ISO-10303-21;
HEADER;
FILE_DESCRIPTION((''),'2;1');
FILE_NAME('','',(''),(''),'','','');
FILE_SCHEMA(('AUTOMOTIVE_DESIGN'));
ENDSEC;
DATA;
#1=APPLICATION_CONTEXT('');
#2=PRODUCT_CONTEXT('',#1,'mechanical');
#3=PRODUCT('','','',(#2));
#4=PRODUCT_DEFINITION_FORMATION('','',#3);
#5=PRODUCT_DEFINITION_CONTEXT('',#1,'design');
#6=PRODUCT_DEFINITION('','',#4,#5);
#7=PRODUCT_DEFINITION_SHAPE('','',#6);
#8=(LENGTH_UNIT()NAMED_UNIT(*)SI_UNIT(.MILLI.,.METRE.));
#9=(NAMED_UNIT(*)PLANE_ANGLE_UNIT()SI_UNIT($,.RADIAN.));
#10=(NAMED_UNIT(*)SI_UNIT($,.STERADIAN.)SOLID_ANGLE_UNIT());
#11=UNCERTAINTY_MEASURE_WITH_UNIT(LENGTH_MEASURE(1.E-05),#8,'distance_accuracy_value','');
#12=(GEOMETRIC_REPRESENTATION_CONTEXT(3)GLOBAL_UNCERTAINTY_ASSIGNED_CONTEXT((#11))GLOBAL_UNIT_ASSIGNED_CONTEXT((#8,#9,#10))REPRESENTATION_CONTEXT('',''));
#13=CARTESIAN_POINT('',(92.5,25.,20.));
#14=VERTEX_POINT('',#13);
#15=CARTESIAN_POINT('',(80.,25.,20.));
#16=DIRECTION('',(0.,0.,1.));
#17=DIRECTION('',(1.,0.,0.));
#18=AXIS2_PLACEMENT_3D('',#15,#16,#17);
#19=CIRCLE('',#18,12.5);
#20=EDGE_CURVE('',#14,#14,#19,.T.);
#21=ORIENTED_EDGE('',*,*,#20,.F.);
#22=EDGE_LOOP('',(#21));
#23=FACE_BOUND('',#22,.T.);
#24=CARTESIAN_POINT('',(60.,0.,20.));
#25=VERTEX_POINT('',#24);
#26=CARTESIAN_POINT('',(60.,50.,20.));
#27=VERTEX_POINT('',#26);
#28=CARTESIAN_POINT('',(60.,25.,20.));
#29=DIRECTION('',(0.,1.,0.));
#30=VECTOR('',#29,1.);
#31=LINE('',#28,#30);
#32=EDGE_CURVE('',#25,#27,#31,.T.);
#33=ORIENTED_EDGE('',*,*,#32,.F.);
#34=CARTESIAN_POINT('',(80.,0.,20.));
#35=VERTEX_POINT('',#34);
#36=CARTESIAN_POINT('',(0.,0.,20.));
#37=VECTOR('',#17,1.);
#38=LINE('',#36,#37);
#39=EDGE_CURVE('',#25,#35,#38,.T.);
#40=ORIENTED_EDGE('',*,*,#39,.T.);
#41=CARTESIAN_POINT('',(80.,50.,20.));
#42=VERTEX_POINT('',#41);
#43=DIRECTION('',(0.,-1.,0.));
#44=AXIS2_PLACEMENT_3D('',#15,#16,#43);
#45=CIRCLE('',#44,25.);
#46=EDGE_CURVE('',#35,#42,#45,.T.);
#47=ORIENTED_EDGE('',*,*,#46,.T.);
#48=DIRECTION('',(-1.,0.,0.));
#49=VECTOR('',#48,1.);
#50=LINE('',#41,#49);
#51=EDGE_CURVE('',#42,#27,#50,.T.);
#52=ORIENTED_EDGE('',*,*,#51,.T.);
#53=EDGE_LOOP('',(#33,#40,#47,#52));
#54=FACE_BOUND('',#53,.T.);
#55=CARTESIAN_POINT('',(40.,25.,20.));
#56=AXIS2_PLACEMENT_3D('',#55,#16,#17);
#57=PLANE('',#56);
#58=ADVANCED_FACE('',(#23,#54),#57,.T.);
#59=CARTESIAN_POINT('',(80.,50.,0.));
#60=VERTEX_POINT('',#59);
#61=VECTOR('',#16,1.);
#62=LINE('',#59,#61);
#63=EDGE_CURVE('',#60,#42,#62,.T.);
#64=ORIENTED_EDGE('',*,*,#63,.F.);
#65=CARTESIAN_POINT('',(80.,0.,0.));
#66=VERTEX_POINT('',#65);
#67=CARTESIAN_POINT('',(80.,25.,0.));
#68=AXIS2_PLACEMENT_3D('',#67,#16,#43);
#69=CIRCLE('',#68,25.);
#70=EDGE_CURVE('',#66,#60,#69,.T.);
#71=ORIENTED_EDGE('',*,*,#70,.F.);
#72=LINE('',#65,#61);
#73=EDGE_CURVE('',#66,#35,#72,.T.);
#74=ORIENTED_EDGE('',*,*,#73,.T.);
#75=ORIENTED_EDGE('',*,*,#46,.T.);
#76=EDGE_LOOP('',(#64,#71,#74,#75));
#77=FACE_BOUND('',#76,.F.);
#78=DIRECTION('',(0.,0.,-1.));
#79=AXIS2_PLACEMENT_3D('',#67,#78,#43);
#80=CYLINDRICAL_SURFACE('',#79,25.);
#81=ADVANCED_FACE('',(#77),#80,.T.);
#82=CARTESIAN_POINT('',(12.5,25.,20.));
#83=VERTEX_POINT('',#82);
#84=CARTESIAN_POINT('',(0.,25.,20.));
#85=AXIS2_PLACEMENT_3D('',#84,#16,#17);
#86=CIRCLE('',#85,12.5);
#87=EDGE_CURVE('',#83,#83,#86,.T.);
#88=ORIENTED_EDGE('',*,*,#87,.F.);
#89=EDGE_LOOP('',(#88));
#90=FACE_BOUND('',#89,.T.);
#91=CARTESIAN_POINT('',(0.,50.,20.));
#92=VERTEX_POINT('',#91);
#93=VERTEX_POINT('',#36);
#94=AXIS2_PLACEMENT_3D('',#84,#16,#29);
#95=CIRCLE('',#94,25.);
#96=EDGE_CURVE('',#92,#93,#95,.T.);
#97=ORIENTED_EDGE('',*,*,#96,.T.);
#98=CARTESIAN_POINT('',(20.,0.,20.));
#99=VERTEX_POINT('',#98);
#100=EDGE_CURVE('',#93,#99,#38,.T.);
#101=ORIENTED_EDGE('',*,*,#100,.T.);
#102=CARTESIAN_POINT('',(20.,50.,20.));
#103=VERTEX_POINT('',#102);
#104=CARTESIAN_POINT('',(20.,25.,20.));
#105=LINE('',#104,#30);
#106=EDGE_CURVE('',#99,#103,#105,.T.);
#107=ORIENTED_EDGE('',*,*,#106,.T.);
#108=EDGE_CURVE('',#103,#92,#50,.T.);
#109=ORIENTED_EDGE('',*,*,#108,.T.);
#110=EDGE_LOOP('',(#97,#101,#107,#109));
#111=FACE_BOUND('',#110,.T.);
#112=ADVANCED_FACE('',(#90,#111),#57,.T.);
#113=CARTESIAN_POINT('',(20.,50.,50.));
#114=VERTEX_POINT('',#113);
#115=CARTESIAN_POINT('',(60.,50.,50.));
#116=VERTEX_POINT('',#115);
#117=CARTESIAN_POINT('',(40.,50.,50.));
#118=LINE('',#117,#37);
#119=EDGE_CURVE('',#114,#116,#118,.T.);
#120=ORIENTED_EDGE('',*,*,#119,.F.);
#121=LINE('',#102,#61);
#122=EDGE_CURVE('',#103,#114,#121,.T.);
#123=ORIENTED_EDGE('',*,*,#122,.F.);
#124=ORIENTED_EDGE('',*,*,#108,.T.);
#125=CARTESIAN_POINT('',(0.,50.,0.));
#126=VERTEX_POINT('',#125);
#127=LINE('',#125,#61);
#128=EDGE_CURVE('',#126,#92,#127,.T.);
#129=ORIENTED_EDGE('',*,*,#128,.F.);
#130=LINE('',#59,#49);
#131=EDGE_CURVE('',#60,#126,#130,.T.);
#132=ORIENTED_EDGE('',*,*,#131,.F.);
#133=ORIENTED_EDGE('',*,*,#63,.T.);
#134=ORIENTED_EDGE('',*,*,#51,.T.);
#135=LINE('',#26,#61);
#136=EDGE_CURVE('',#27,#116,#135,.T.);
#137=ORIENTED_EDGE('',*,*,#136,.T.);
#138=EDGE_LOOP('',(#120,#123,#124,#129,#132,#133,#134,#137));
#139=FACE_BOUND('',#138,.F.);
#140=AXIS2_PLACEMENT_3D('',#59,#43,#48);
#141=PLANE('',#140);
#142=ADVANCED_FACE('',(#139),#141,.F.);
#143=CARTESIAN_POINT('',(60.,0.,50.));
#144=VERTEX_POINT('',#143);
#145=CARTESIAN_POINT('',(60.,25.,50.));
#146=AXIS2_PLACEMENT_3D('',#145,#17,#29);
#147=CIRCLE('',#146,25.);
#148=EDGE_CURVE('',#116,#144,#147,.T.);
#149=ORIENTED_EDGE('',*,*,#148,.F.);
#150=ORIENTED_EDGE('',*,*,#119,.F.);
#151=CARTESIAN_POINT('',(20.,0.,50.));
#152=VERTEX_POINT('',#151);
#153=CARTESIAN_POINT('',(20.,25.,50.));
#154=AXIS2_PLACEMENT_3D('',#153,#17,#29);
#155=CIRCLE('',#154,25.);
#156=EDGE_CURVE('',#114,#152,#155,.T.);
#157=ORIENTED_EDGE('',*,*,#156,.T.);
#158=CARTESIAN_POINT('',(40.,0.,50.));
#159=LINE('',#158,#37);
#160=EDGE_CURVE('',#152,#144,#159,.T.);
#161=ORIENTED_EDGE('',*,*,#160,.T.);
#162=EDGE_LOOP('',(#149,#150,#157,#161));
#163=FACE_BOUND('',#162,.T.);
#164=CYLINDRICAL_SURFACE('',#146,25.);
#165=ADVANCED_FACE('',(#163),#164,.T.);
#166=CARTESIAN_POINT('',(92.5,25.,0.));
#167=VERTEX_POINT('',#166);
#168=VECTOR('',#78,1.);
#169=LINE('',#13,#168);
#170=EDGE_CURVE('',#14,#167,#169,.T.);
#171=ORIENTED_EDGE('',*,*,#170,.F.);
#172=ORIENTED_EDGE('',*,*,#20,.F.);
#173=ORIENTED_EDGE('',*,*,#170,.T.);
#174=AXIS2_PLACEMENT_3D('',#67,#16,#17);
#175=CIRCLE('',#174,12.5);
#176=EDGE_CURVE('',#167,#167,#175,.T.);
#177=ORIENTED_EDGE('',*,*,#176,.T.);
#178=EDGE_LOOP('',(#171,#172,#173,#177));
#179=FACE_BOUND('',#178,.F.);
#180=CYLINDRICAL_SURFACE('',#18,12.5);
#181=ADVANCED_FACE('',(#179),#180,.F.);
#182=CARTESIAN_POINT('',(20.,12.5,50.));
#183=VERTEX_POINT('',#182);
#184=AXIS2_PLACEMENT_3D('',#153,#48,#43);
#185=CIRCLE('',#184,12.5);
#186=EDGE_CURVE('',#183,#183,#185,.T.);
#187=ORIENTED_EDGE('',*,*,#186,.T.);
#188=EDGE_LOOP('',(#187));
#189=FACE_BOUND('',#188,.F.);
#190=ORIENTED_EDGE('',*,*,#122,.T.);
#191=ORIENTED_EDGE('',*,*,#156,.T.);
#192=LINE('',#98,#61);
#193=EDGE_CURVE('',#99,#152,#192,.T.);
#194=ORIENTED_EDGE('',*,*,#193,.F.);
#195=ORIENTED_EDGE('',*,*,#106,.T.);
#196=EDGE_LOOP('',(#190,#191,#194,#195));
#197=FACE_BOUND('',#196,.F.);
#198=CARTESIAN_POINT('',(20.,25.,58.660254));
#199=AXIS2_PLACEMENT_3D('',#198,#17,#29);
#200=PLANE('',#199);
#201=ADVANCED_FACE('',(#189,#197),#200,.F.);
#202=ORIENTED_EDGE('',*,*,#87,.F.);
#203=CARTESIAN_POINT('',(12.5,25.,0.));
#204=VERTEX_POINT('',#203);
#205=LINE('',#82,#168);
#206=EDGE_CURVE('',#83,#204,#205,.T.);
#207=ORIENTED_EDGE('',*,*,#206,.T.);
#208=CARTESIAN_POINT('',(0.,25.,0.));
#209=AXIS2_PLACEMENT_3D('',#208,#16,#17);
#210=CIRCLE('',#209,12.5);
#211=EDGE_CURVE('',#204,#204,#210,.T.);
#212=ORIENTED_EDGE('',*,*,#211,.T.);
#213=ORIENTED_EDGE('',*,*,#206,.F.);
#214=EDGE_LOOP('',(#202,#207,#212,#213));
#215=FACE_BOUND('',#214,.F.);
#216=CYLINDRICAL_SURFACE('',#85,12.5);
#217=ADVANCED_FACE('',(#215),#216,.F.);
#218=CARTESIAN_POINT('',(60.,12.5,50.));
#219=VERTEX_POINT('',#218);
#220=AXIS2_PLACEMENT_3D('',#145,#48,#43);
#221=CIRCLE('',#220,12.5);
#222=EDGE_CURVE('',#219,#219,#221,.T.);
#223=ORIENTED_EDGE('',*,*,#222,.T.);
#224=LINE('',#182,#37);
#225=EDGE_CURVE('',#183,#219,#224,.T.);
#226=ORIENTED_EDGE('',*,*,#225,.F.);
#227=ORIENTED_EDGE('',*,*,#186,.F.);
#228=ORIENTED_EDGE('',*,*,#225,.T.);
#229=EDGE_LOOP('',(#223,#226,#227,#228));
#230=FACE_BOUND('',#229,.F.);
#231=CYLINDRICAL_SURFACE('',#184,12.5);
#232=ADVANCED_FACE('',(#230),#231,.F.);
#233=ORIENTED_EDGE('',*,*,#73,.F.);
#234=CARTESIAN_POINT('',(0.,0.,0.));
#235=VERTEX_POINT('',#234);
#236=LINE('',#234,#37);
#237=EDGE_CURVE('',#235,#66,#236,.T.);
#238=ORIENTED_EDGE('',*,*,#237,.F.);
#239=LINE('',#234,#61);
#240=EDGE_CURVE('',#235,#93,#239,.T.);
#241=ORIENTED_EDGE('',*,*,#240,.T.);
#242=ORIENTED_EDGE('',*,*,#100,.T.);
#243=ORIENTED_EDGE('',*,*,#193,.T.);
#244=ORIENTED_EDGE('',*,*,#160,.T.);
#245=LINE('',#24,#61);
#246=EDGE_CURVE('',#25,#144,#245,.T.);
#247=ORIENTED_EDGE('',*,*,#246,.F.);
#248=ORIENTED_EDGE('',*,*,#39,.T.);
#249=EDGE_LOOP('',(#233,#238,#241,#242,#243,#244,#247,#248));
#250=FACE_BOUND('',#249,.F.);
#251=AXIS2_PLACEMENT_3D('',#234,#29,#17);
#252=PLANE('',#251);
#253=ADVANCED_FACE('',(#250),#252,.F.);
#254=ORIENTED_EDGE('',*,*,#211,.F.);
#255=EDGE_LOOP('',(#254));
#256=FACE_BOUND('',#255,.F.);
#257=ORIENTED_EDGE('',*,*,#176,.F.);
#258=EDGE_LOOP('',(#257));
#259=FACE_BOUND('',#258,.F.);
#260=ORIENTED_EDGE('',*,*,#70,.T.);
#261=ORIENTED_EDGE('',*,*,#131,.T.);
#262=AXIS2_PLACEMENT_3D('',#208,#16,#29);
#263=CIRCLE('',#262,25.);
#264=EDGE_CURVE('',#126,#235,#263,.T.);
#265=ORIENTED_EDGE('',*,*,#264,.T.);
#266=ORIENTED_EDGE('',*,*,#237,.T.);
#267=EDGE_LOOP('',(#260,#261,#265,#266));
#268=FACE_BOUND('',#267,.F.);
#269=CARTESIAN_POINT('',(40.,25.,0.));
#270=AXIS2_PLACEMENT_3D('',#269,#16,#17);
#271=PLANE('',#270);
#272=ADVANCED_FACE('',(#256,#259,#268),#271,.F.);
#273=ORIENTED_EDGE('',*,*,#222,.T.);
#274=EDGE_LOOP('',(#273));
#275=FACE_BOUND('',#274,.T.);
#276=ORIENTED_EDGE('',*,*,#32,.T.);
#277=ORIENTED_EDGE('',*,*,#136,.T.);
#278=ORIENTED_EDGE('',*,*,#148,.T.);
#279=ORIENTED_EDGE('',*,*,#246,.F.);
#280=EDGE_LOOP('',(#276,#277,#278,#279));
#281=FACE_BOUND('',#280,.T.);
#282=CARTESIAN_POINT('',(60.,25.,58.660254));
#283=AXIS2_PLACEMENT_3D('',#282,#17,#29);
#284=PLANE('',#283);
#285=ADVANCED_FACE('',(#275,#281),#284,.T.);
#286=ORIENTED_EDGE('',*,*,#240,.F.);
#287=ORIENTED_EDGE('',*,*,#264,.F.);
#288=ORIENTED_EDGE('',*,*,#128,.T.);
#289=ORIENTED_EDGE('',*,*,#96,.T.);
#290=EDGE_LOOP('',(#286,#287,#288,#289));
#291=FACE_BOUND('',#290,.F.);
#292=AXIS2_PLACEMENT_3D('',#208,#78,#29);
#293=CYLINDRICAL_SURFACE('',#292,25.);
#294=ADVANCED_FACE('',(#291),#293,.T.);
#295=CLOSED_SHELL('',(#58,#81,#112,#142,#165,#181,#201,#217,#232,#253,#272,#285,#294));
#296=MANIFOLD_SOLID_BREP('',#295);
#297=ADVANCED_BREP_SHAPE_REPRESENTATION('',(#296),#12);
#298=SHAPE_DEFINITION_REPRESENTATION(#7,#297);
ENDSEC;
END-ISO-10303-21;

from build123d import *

# Parameters (mm, degrees)
F1_DEPTH = 20
F2_W     = 40
F2_H     = 50
F3_DEPTH = 30
F5_DEPTH = 40
F6_R     = 12.5
F7_DEPTH = 40
F8_R     = 12.5
F9_DEPTH = 20


with BuildPart() as f1:
    # F0 (on Top) → F1 (new body)
    with BuildSketch(Plane.XY):
        with BuildLine():
            Line((80, 50), (0, 50))
            ThreePointArc((0, 50), (-25, 25), (0, 0))
            Line((0, 0), (80, 0))
            ThreePointArc((80, 0), (105, 25), (80, 50))
        make_face()
    extrude(amount=F1_DEPTH)

    # F2 (on face) → F3 (join)
    with BuildSketch(Plane.XY.offset(20)):
        with Locations((40, 25)):
            Rectangle(F2_W, F2_H)
    extrude(amount=F3_DEPTH)

    # F4 (on face) → F5 (join, through all)
    with BuildSketch(Plane.YZ.offset(60)):
        with BuildLine():
            Line((0, 50), (50, 50))
            ThreePointArc((50, 50), (25, 75), (0, 50))
        make_face()
    extrude(amount=-F5_DEPTH)

    # F6 (on face) → F7 (cut, through all)
    with BuildSketch(Plane(origin=(20, 0, 0), x_dir=(0, -1, 0), z_dir=(-1, 0, 0))):
        with Locations((-25, 50)):
            Circle(F6_R)
    extrude(amount=-F7_DEPTH, mode=Mode.SUBTRACT)

    # F8 (on face) → F9 (cut, through all)
    with BuildSketch(Plane.XY.offset(20)):
        with Locations((0, 25)):
            Circle(F8_R)
        with Locations((80, 25)):
            Circle(F8_R)
    extrude(amount=-F9_DEPTH, mode=Mode.SUBTRACT)


solid = f1.part
